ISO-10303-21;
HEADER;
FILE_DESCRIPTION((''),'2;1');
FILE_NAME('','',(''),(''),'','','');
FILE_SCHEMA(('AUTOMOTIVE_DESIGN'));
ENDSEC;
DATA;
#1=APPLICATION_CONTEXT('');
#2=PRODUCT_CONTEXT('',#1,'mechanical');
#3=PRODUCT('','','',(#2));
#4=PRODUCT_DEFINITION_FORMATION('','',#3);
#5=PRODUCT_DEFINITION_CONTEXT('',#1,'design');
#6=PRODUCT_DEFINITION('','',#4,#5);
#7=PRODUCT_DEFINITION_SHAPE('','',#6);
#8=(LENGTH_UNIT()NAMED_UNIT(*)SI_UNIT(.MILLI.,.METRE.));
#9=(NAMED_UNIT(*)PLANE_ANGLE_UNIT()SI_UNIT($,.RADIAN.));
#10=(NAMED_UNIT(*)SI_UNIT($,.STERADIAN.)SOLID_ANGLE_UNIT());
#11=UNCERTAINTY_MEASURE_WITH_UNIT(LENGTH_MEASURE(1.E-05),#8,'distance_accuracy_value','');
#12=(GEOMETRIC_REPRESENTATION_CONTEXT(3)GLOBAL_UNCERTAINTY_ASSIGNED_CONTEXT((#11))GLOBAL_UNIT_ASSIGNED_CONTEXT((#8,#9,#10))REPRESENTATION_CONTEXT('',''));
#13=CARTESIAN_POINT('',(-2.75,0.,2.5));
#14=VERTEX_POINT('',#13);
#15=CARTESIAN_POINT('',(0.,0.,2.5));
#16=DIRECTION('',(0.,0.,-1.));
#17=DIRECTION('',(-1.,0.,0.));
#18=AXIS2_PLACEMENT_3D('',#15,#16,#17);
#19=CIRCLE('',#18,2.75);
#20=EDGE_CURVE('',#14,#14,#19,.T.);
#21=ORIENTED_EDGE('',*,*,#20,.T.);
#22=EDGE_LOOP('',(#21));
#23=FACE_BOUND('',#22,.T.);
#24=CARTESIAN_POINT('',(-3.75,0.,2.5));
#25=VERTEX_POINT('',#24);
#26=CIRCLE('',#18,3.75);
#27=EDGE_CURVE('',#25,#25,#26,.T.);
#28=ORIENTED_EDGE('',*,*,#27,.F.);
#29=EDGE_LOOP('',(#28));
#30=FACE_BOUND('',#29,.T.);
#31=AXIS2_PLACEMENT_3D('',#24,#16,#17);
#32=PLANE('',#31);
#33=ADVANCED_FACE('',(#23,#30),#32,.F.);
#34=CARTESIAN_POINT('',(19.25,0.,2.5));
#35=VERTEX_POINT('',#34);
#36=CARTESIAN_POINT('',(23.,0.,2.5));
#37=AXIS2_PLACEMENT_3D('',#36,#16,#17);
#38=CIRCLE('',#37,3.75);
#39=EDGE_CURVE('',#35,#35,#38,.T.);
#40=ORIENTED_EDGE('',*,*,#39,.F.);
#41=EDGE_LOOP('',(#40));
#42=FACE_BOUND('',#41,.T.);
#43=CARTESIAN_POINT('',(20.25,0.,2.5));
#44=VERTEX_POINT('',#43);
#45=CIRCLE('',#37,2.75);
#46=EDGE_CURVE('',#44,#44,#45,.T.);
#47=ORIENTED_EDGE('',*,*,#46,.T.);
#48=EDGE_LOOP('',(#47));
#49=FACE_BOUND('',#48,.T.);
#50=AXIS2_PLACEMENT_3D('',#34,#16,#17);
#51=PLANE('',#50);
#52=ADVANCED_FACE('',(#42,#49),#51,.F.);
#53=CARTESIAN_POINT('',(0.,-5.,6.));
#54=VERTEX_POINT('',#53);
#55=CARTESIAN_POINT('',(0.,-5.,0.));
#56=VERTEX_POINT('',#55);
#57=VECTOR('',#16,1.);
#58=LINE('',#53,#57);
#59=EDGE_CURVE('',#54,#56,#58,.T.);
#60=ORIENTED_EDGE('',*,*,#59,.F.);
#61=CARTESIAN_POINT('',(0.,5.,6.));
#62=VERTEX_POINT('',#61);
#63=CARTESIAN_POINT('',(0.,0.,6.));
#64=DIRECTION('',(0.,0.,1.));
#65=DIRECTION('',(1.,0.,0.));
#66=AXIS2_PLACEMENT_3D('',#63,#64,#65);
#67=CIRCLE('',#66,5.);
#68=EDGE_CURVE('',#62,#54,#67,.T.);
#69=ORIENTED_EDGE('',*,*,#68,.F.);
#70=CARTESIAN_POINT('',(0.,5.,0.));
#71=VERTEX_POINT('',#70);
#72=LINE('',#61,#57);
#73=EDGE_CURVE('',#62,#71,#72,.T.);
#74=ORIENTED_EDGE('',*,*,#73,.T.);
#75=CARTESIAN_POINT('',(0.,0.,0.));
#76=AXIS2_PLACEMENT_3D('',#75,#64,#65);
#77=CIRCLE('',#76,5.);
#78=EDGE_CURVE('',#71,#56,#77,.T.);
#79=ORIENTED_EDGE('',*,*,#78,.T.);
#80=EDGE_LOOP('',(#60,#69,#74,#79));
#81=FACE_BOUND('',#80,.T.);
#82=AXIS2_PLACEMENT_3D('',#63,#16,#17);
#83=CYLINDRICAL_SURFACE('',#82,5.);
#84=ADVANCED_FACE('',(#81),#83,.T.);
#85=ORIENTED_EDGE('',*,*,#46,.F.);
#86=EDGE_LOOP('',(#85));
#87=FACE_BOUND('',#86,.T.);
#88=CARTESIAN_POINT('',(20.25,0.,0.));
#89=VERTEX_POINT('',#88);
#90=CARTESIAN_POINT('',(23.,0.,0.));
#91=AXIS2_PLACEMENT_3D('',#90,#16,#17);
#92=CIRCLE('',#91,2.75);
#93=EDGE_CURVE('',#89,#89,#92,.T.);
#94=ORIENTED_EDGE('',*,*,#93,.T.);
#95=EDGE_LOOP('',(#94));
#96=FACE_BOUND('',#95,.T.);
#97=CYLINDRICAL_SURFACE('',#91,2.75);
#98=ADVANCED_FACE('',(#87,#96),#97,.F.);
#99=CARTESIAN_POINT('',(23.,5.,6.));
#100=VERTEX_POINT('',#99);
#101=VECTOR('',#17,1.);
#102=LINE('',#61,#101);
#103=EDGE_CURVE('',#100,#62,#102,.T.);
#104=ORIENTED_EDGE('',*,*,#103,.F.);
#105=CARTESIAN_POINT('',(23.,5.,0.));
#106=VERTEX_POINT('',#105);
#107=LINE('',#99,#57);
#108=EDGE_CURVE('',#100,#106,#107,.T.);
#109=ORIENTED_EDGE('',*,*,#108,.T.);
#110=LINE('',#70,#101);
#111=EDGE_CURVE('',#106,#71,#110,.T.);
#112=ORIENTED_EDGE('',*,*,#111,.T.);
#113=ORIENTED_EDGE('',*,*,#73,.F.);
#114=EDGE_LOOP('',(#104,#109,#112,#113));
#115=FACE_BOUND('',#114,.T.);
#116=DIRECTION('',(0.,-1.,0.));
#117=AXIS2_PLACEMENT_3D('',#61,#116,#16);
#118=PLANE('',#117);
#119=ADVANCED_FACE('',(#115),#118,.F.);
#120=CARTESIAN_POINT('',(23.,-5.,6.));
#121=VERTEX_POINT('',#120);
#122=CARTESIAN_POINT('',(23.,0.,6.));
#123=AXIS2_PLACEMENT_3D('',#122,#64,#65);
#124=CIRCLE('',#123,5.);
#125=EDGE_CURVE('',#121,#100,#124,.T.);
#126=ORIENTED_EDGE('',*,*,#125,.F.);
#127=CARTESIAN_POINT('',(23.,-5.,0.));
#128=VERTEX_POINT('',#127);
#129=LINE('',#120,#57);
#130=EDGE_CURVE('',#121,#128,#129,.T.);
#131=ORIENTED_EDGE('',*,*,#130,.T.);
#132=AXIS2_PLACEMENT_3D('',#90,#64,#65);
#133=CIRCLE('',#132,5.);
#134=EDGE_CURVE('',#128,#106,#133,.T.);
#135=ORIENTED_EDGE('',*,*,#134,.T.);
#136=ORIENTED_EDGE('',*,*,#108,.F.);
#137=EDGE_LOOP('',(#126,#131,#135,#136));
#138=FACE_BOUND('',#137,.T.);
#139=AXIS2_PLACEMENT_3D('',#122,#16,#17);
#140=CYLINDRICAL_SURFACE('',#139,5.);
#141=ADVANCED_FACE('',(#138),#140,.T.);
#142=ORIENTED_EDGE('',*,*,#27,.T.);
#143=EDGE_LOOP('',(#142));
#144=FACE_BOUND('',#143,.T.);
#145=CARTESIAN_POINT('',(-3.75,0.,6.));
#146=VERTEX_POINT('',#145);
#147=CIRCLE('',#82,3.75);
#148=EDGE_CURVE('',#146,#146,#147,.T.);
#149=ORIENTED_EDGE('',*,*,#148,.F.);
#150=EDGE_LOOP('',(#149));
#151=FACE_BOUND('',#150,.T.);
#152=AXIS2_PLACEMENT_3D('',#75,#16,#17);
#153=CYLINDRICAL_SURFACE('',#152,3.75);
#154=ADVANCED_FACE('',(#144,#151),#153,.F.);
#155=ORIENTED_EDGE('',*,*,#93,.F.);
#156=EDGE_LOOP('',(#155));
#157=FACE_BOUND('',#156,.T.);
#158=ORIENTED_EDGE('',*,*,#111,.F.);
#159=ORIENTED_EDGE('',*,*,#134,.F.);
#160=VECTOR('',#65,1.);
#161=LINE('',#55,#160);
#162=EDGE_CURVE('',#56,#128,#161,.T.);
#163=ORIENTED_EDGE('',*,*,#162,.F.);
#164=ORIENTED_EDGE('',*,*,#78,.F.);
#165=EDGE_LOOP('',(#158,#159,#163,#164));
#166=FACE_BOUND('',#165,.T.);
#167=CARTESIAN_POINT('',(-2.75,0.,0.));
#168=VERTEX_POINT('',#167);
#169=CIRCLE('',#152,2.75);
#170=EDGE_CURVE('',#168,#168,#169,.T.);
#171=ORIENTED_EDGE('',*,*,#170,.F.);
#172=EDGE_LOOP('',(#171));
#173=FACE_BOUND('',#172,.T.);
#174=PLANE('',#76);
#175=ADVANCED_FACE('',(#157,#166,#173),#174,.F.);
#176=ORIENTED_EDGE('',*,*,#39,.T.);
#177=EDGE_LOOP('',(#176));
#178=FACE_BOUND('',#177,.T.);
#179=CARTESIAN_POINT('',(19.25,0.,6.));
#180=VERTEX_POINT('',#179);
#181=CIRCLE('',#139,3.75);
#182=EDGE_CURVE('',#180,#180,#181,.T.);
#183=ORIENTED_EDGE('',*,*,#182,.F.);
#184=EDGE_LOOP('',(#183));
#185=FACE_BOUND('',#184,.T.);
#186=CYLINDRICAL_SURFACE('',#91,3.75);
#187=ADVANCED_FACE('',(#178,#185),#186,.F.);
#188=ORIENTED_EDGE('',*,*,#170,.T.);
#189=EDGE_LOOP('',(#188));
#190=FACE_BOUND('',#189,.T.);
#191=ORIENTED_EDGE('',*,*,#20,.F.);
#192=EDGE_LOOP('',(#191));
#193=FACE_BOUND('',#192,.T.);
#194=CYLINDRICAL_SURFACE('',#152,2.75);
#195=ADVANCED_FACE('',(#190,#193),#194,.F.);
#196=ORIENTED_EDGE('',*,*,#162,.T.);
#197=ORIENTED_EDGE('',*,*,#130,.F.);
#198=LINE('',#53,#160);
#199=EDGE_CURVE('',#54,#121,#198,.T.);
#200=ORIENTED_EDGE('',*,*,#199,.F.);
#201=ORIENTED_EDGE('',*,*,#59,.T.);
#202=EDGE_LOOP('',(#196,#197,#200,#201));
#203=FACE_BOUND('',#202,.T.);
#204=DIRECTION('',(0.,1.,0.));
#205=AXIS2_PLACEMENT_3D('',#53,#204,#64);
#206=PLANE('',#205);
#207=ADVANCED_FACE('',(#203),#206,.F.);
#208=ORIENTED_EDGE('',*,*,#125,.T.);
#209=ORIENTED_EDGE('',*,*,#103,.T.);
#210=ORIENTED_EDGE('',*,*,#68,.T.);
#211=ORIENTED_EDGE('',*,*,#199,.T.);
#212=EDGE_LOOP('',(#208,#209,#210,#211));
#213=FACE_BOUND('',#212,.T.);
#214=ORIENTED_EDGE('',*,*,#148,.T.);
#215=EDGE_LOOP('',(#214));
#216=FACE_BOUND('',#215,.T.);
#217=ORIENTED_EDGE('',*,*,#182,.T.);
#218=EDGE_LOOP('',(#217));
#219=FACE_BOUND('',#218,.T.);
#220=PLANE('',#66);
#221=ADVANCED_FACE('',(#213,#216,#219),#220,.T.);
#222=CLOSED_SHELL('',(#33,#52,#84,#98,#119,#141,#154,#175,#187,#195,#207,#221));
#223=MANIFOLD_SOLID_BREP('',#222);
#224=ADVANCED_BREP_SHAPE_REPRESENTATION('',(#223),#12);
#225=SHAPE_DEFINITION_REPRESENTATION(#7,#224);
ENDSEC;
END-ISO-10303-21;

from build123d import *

# Parameters (mm, degrees)
EXTRUDE_1_DEPTH = 6


with BuildPart() as part:
    # 草图1 → 凸台-拉伸1 (new body)
    with BuildSketch(Plane.XY):
        with BuildLine():
            Line((0, 5), (23, 5))
            ThreePointArc((23, 5), (28, 0), (23, -5))
            Line((23, -5), (0, -5))
            ThreePointArc((0, -5), (-5, 0), (0, 5))
        make_face()
    extrude(amount=EXTRUDE_1_DEPTH)

    # 草图2 → 切除-旋转1 (revolve, cut)
    with BuildSketch(Plane(origin=(0, 0, 0), x_dir=(1, 0, 0), z_dir=(0, 1, 0))):
        Polygon((0, -6), (-3.75, -6), (-3.75, -2.5), (-2.75, -2.5), (-2.75, 0), (0, 0), align=None)
    revolve(axis=Axis((0, 0, 0), (0, 0, 1)), mode=Mode.SUBTRACT)

    # 草图3 → 切除-旋转2 (revolve, cut)
    with BuildSketch(Plane(origin=(0, 0, 0), x_dir=(1, 0, 0), z_dir=(0, 1, 0))):
        Polygon((23, -6), (19.25, -6), (19.25, -2.5), (20.25, -2.5), (20.25, 0), (23, 0), align=None)
    revolve(axis=Axis((23, 0, 0), (0, 0, 1)), mode=Mode.SUBTRACT)


solid = part.part
